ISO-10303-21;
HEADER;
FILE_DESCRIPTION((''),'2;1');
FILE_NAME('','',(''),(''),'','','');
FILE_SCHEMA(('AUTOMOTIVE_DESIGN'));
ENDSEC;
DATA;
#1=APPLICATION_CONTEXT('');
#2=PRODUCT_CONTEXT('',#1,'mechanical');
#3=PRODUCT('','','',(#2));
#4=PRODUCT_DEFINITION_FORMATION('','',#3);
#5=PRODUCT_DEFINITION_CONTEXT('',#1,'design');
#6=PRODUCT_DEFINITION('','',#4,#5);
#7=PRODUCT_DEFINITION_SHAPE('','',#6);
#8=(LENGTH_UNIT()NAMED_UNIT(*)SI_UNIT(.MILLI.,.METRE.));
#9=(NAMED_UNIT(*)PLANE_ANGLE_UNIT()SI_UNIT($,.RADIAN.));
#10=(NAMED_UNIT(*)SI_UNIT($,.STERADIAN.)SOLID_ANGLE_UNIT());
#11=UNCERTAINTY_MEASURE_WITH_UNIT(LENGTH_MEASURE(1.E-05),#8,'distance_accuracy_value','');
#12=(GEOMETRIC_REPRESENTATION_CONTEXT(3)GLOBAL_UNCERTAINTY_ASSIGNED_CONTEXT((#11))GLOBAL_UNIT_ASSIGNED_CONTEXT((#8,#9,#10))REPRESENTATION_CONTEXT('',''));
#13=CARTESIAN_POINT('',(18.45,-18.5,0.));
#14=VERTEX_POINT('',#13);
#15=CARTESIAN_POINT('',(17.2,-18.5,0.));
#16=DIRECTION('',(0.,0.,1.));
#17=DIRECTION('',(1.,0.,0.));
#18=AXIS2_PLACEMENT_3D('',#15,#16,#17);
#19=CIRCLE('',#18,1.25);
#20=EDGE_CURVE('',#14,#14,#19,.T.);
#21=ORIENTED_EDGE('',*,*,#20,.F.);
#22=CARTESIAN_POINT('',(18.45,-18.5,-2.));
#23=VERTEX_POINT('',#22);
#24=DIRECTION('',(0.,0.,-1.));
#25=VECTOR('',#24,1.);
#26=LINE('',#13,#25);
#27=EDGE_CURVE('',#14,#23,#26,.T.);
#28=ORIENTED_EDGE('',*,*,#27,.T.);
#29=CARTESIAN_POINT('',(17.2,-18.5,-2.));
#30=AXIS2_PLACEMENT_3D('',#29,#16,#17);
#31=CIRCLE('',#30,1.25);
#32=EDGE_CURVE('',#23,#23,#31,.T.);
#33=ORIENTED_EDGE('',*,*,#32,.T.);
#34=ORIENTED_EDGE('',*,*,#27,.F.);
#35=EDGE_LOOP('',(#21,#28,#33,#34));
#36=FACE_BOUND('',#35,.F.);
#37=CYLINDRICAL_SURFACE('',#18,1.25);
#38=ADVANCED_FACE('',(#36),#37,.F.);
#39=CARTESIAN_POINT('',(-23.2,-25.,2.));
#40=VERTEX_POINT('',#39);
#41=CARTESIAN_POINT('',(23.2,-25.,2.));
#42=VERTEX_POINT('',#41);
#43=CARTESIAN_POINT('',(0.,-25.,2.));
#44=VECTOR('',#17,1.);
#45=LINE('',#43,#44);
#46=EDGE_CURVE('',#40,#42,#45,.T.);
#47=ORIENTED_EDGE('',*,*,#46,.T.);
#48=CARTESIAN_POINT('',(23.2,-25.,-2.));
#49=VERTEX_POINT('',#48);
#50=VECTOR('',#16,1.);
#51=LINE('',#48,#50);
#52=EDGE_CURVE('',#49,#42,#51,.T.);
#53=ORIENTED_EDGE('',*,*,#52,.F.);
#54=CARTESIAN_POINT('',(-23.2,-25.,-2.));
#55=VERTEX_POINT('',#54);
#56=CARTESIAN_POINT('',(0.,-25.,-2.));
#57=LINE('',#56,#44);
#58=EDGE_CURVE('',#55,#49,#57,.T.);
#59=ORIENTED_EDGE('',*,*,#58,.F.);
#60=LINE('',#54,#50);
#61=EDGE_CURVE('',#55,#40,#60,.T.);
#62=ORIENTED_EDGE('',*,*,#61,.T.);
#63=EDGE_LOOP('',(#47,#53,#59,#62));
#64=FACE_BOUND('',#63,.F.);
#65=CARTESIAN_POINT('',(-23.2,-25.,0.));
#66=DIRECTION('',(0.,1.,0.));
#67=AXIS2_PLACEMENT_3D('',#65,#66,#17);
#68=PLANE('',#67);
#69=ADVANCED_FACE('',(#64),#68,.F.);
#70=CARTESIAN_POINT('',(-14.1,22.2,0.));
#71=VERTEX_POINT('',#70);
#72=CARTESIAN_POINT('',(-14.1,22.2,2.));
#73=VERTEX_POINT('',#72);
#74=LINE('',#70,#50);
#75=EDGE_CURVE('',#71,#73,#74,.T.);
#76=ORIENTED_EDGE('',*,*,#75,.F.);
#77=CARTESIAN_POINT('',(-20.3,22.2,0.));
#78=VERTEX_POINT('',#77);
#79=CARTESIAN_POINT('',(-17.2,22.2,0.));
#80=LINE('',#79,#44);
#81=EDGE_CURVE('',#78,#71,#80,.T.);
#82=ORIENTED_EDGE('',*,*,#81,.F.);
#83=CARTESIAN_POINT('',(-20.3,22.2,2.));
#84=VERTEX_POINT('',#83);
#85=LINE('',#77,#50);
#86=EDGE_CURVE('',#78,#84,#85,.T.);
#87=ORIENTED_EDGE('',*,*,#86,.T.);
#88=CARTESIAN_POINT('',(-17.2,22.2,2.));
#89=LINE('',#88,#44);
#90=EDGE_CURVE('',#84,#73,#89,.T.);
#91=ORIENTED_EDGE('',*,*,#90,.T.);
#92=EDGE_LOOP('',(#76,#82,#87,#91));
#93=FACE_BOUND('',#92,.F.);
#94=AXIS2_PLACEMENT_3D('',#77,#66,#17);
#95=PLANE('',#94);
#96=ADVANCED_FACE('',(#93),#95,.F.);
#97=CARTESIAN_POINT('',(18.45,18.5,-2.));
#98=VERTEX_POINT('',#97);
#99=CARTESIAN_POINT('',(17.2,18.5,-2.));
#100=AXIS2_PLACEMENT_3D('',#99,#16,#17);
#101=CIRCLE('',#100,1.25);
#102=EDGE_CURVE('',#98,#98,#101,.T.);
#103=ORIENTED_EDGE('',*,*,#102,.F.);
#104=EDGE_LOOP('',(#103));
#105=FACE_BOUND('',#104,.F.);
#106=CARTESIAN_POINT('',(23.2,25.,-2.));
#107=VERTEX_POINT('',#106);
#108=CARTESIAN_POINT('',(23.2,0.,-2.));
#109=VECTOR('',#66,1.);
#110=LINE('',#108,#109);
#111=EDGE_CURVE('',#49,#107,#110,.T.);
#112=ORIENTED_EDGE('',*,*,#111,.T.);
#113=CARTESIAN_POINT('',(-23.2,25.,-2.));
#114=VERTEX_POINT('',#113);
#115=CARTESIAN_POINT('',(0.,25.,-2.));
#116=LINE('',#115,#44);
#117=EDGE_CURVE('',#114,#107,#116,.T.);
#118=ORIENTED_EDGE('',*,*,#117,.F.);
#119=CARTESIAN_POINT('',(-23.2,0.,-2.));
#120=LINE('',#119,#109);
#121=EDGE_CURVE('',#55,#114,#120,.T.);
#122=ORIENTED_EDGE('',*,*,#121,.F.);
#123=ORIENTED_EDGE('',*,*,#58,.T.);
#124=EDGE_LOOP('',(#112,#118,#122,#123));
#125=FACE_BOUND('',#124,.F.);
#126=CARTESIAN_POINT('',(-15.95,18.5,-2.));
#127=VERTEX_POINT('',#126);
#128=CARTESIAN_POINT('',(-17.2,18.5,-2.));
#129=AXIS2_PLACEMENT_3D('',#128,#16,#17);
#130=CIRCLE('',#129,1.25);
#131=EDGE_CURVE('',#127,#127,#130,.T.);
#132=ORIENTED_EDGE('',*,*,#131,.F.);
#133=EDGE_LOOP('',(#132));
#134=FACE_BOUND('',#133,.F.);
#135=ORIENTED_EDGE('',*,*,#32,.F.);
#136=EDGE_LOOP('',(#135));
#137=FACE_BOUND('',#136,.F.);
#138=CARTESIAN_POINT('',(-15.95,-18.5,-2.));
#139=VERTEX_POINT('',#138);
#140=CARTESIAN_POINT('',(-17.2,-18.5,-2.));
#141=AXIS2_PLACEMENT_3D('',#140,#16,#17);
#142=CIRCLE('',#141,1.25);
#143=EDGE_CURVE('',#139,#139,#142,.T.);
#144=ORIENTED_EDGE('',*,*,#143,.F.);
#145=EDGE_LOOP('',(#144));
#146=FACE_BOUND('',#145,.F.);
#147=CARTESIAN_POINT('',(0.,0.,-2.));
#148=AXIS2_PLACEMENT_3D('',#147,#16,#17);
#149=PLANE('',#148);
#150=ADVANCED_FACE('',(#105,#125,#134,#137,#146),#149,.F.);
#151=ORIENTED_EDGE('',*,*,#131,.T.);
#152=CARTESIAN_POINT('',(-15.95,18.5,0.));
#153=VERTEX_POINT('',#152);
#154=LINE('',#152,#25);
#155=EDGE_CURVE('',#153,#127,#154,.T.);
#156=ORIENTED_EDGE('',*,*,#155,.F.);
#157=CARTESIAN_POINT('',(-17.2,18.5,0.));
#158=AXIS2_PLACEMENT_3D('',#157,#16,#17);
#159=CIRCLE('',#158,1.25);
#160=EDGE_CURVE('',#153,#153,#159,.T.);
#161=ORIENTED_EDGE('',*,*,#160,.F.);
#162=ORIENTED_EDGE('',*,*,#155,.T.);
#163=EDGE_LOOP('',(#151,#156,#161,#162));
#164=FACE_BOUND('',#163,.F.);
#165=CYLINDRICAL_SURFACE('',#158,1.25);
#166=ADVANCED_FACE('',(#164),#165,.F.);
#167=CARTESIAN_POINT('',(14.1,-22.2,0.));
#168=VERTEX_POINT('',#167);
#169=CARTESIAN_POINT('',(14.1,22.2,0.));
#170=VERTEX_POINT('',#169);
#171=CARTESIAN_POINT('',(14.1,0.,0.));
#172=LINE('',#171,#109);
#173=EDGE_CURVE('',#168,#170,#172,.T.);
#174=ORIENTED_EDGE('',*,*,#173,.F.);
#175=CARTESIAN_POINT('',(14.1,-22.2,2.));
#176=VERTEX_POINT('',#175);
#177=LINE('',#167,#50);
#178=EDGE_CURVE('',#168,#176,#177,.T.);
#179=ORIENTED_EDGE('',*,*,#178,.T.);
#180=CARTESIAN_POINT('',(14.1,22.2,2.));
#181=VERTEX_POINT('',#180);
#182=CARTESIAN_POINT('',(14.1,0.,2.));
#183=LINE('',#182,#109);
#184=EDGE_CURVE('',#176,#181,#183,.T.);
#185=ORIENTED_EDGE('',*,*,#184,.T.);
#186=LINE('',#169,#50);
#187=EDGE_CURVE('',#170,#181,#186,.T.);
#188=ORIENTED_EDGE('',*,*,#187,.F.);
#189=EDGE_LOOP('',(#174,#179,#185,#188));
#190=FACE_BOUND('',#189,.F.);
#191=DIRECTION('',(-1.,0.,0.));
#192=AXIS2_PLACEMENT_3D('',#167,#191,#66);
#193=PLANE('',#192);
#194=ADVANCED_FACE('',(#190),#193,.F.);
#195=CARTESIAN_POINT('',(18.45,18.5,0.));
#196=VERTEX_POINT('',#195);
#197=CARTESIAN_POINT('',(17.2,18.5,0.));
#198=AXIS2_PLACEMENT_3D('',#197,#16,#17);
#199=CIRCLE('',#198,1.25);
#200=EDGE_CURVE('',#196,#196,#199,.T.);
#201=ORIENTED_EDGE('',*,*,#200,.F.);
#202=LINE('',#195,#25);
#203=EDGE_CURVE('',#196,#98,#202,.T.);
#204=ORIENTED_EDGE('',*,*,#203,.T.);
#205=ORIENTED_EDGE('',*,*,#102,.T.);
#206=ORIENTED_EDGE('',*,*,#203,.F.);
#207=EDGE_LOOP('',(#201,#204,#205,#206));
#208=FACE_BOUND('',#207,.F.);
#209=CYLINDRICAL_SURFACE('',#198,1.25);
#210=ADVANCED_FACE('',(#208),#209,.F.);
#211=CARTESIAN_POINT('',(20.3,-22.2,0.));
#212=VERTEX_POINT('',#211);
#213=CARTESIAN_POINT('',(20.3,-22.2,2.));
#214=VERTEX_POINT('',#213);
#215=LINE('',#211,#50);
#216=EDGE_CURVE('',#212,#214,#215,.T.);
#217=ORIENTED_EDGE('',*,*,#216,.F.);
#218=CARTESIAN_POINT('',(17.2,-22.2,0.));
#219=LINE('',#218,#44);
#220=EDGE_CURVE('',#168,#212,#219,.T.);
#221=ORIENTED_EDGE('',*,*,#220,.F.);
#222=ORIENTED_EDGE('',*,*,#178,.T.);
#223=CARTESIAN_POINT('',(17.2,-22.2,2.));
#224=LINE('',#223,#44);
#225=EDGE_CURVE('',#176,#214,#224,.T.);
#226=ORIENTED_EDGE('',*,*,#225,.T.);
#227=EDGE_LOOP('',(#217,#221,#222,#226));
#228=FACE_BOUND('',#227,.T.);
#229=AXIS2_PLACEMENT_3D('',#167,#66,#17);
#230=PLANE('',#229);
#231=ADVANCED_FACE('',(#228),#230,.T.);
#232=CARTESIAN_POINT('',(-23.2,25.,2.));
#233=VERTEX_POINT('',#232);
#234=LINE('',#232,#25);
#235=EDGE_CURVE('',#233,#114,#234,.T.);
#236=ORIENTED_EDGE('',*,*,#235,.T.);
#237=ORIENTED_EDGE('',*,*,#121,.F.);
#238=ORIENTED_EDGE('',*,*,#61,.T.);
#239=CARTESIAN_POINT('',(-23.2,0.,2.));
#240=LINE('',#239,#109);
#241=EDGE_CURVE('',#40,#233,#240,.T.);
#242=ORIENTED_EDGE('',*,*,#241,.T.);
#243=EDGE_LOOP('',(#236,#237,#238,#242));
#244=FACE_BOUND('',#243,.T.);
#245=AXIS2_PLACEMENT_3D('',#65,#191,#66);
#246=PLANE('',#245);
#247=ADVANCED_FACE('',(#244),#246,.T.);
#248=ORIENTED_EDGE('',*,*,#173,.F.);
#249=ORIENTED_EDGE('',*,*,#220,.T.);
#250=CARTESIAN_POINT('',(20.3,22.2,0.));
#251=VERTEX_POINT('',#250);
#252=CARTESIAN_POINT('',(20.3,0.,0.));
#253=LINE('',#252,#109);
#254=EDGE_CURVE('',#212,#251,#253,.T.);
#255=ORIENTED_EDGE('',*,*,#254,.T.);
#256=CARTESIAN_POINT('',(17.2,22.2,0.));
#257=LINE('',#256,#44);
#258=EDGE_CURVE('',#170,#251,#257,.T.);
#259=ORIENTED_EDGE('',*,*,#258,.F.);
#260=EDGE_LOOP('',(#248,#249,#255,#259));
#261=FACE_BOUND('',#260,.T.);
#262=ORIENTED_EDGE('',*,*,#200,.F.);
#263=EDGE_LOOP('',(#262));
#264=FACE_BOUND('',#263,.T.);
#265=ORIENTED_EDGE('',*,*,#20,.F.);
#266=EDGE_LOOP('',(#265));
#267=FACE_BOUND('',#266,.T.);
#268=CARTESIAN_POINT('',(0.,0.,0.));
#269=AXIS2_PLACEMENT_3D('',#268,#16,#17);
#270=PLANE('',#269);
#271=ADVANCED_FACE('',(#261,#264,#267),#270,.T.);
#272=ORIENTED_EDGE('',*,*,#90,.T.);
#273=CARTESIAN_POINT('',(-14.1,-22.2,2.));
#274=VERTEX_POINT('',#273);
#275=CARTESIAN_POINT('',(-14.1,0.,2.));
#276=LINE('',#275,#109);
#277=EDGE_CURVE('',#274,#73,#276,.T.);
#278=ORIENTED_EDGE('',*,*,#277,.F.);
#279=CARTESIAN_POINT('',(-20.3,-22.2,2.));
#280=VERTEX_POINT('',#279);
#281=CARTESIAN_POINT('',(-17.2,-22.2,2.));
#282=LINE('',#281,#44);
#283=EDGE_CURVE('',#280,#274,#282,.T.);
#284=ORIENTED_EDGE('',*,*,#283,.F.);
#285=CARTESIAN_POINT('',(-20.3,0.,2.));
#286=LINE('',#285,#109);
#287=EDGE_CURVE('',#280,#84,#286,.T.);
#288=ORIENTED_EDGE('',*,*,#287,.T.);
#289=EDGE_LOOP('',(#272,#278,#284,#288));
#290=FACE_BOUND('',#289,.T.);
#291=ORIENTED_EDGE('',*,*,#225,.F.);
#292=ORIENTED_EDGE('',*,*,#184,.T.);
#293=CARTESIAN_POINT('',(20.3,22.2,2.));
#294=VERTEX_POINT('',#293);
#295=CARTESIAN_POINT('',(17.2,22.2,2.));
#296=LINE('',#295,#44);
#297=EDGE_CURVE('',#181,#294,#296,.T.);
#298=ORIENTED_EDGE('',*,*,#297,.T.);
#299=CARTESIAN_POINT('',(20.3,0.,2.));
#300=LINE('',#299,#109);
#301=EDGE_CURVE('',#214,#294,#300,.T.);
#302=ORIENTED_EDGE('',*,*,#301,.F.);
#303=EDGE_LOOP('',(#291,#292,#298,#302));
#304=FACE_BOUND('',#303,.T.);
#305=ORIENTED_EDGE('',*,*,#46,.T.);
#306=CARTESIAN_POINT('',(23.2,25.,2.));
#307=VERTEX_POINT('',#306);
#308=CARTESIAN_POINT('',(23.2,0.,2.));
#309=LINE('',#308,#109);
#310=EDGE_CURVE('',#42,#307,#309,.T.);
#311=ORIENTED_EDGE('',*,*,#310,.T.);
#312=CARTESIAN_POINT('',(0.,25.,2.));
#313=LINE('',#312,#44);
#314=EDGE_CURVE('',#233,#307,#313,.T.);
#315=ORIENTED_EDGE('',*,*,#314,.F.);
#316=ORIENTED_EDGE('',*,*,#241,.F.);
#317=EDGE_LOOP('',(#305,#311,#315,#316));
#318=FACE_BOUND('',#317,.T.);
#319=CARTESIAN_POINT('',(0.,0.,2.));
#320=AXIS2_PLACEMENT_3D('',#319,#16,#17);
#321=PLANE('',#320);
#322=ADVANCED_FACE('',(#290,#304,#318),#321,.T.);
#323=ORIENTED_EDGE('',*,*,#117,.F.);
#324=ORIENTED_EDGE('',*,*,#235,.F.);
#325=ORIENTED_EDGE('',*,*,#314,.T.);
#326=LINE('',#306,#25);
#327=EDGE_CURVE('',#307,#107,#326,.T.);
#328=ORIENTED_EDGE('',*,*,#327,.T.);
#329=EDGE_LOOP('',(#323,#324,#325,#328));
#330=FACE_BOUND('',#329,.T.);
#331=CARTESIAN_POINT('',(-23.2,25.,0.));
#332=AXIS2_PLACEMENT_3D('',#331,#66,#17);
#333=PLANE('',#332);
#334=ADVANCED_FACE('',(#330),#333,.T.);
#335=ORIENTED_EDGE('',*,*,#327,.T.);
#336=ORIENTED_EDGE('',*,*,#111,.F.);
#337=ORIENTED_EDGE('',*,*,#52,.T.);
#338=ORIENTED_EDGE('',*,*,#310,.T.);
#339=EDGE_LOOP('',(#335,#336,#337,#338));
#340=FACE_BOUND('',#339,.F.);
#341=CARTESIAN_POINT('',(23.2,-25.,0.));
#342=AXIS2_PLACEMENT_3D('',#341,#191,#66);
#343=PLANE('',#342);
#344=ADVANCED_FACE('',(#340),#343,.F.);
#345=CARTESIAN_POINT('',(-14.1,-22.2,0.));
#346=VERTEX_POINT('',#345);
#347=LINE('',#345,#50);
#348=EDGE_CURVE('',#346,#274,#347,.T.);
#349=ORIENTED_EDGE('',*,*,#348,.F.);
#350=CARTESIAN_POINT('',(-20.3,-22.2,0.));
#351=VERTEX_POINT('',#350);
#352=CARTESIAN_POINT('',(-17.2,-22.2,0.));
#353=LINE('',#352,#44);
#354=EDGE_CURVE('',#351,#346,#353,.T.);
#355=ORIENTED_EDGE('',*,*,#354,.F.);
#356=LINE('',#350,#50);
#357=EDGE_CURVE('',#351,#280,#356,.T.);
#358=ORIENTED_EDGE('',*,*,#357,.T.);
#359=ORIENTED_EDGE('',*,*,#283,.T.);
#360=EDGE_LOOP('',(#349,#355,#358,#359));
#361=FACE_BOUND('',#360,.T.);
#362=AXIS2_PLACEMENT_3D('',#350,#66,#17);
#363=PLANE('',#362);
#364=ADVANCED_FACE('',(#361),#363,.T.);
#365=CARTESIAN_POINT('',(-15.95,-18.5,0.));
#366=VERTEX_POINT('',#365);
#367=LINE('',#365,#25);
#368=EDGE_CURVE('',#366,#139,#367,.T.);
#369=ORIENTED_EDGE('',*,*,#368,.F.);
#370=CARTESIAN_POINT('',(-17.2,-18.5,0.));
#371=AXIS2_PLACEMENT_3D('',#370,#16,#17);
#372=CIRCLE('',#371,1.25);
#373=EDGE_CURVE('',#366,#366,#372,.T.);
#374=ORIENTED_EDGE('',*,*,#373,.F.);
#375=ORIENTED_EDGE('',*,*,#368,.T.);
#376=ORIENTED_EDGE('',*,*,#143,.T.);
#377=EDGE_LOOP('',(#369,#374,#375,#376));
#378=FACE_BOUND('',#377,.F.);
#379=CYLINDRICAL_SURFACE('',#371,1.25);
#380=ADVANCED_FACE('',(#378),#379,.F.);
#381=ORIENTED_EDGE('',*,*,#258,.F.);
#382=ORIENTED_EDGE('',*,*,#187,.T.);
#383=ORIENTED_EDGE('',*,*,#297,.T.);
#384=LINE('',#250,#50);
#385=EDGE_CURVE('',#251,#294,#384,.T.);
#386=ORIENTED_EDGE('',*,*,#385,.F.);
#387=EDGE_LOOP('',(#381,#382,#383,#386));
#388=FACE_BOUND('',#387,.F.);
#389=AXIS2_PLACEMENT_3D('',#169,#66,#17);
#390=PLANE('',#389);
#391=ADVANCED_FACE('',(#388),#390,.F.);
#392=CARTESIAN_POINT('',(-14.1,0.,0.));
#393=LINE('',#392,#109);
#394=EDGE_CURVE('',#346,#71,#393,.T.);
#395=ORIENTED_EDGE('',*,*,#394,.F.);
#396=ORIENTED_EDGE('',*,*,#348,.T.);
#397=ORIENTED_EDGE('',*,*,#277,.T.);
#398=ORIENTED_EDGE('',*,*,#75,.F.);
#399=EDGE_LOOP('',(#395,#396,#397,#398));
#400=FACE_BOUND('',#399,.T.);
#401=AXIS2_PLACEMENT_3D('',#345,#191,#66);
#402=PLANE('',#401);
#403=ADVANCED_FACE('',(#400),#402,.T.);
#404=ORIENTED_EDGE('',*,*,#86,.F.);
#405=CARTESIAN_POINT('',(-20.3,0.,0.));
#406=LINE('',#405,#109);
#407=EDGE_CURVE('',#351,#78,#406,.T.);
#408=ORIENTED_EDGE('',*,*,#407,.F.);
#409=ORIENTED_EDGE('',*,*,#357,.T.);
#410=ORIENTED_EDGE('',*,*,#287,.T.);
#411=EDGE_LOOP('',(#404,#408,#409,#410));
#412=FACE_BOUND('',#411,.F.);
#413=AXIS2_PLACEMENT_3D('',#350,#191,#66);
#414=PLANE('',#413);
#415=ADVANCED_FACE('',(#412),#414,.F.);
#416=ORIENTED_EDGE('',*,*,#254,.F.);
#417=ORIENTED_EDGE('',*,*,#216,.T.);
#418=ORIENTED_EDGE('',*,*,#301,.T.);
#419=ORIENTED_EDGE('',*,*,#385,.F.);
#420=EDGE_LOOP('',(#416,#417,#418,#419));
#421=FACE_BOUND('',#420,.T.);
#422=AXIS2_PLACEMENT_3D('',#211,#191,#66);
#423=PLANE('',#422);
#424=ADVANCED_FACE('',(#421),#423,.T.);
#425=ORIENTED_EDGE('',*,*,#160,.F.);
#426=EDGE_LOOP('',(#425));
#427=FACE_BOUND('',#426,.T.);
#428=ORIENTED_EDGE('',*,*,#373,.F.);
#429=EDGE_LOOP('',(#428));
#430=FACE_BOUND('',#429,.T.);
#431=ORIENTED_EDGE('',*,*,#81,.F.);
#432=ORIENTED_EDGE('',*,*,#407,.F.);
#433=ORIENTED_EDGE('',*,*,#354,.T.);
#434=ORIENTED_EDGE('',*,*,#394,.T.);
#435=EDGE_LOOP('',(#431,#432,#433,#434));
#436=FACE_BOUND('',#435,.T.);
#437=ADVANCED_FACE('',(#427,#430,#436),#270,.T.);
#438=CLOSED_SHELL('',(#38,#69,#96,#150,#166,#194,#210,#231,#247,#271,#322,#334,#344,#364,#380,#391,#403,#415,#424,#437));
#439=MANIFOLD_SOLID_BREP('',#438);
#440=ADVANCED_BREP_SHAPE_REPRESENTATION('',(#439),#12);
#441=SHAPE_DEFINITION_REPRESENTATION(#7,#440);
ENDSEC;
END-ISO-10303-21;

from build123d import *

# Parameters (mm, degrees)
F0_W     = 46.4
F0_H     = 50
F0_W_2   = 6.2
F0_H_2   = 44.4
F0_R     = 1.25
F1_DEPTH = 2
F2_DEPTH = 2


with BuildPart() as f1:
    # F0 (on Top) → F1 (new body)
    with BuildSketch(Plane.XY):
        Rectangle(F0_W, F0_H)
        with Locations((-17.2, 0)):
            Rectangle(F0_W_2, F0_H_2, mode=Mode.SUBTRACT)
        with Locations((17.2, 0)):
            Rectangle(F0_W_2, F0_H_2, mode=Mode.SUBTRACT)
        with Locations((-17.2, 0)):
            Rectangle(F0_W_2, F0_H_2)
        with Locations((-17.2, -18.5)):
            Circle(F0_R, mode=Mode.SUBTRACT)
        with Locations((-17.2, 18.5)):
            Circle(F0_R, mode=Mode.SUBTRACT)
        with Locations((17.2, 0)):
            Rectangle(F0_W_2, F0_H_2)
        with Locations((17.2, -18.5)):
            Circle(F0_R, mode=Mode.SUBTRACT)
        with Locations((17.2, 18.5)):
            Circle(F0_R, mode=Mode.SUBTRACT)
    extrude(amount=-F1_DEPTH)

    # F0 (on Top) → F2 (join)
    with BuildSketch(Plane.XY):
        Rectangle(F0_W, F0_H)
        with Locations((-17.2, 0)):
            Rectangle(F0_W_2, F0_H_2, mode=Mode.SUBTRACT)
        with Locations((17.2, 0)):
            Rectangle(F0_W_2, F0_H_2, mode=Mode.SUBTRACT)
    extrude(amount=F2_DEPTH)


solid = f1.part
